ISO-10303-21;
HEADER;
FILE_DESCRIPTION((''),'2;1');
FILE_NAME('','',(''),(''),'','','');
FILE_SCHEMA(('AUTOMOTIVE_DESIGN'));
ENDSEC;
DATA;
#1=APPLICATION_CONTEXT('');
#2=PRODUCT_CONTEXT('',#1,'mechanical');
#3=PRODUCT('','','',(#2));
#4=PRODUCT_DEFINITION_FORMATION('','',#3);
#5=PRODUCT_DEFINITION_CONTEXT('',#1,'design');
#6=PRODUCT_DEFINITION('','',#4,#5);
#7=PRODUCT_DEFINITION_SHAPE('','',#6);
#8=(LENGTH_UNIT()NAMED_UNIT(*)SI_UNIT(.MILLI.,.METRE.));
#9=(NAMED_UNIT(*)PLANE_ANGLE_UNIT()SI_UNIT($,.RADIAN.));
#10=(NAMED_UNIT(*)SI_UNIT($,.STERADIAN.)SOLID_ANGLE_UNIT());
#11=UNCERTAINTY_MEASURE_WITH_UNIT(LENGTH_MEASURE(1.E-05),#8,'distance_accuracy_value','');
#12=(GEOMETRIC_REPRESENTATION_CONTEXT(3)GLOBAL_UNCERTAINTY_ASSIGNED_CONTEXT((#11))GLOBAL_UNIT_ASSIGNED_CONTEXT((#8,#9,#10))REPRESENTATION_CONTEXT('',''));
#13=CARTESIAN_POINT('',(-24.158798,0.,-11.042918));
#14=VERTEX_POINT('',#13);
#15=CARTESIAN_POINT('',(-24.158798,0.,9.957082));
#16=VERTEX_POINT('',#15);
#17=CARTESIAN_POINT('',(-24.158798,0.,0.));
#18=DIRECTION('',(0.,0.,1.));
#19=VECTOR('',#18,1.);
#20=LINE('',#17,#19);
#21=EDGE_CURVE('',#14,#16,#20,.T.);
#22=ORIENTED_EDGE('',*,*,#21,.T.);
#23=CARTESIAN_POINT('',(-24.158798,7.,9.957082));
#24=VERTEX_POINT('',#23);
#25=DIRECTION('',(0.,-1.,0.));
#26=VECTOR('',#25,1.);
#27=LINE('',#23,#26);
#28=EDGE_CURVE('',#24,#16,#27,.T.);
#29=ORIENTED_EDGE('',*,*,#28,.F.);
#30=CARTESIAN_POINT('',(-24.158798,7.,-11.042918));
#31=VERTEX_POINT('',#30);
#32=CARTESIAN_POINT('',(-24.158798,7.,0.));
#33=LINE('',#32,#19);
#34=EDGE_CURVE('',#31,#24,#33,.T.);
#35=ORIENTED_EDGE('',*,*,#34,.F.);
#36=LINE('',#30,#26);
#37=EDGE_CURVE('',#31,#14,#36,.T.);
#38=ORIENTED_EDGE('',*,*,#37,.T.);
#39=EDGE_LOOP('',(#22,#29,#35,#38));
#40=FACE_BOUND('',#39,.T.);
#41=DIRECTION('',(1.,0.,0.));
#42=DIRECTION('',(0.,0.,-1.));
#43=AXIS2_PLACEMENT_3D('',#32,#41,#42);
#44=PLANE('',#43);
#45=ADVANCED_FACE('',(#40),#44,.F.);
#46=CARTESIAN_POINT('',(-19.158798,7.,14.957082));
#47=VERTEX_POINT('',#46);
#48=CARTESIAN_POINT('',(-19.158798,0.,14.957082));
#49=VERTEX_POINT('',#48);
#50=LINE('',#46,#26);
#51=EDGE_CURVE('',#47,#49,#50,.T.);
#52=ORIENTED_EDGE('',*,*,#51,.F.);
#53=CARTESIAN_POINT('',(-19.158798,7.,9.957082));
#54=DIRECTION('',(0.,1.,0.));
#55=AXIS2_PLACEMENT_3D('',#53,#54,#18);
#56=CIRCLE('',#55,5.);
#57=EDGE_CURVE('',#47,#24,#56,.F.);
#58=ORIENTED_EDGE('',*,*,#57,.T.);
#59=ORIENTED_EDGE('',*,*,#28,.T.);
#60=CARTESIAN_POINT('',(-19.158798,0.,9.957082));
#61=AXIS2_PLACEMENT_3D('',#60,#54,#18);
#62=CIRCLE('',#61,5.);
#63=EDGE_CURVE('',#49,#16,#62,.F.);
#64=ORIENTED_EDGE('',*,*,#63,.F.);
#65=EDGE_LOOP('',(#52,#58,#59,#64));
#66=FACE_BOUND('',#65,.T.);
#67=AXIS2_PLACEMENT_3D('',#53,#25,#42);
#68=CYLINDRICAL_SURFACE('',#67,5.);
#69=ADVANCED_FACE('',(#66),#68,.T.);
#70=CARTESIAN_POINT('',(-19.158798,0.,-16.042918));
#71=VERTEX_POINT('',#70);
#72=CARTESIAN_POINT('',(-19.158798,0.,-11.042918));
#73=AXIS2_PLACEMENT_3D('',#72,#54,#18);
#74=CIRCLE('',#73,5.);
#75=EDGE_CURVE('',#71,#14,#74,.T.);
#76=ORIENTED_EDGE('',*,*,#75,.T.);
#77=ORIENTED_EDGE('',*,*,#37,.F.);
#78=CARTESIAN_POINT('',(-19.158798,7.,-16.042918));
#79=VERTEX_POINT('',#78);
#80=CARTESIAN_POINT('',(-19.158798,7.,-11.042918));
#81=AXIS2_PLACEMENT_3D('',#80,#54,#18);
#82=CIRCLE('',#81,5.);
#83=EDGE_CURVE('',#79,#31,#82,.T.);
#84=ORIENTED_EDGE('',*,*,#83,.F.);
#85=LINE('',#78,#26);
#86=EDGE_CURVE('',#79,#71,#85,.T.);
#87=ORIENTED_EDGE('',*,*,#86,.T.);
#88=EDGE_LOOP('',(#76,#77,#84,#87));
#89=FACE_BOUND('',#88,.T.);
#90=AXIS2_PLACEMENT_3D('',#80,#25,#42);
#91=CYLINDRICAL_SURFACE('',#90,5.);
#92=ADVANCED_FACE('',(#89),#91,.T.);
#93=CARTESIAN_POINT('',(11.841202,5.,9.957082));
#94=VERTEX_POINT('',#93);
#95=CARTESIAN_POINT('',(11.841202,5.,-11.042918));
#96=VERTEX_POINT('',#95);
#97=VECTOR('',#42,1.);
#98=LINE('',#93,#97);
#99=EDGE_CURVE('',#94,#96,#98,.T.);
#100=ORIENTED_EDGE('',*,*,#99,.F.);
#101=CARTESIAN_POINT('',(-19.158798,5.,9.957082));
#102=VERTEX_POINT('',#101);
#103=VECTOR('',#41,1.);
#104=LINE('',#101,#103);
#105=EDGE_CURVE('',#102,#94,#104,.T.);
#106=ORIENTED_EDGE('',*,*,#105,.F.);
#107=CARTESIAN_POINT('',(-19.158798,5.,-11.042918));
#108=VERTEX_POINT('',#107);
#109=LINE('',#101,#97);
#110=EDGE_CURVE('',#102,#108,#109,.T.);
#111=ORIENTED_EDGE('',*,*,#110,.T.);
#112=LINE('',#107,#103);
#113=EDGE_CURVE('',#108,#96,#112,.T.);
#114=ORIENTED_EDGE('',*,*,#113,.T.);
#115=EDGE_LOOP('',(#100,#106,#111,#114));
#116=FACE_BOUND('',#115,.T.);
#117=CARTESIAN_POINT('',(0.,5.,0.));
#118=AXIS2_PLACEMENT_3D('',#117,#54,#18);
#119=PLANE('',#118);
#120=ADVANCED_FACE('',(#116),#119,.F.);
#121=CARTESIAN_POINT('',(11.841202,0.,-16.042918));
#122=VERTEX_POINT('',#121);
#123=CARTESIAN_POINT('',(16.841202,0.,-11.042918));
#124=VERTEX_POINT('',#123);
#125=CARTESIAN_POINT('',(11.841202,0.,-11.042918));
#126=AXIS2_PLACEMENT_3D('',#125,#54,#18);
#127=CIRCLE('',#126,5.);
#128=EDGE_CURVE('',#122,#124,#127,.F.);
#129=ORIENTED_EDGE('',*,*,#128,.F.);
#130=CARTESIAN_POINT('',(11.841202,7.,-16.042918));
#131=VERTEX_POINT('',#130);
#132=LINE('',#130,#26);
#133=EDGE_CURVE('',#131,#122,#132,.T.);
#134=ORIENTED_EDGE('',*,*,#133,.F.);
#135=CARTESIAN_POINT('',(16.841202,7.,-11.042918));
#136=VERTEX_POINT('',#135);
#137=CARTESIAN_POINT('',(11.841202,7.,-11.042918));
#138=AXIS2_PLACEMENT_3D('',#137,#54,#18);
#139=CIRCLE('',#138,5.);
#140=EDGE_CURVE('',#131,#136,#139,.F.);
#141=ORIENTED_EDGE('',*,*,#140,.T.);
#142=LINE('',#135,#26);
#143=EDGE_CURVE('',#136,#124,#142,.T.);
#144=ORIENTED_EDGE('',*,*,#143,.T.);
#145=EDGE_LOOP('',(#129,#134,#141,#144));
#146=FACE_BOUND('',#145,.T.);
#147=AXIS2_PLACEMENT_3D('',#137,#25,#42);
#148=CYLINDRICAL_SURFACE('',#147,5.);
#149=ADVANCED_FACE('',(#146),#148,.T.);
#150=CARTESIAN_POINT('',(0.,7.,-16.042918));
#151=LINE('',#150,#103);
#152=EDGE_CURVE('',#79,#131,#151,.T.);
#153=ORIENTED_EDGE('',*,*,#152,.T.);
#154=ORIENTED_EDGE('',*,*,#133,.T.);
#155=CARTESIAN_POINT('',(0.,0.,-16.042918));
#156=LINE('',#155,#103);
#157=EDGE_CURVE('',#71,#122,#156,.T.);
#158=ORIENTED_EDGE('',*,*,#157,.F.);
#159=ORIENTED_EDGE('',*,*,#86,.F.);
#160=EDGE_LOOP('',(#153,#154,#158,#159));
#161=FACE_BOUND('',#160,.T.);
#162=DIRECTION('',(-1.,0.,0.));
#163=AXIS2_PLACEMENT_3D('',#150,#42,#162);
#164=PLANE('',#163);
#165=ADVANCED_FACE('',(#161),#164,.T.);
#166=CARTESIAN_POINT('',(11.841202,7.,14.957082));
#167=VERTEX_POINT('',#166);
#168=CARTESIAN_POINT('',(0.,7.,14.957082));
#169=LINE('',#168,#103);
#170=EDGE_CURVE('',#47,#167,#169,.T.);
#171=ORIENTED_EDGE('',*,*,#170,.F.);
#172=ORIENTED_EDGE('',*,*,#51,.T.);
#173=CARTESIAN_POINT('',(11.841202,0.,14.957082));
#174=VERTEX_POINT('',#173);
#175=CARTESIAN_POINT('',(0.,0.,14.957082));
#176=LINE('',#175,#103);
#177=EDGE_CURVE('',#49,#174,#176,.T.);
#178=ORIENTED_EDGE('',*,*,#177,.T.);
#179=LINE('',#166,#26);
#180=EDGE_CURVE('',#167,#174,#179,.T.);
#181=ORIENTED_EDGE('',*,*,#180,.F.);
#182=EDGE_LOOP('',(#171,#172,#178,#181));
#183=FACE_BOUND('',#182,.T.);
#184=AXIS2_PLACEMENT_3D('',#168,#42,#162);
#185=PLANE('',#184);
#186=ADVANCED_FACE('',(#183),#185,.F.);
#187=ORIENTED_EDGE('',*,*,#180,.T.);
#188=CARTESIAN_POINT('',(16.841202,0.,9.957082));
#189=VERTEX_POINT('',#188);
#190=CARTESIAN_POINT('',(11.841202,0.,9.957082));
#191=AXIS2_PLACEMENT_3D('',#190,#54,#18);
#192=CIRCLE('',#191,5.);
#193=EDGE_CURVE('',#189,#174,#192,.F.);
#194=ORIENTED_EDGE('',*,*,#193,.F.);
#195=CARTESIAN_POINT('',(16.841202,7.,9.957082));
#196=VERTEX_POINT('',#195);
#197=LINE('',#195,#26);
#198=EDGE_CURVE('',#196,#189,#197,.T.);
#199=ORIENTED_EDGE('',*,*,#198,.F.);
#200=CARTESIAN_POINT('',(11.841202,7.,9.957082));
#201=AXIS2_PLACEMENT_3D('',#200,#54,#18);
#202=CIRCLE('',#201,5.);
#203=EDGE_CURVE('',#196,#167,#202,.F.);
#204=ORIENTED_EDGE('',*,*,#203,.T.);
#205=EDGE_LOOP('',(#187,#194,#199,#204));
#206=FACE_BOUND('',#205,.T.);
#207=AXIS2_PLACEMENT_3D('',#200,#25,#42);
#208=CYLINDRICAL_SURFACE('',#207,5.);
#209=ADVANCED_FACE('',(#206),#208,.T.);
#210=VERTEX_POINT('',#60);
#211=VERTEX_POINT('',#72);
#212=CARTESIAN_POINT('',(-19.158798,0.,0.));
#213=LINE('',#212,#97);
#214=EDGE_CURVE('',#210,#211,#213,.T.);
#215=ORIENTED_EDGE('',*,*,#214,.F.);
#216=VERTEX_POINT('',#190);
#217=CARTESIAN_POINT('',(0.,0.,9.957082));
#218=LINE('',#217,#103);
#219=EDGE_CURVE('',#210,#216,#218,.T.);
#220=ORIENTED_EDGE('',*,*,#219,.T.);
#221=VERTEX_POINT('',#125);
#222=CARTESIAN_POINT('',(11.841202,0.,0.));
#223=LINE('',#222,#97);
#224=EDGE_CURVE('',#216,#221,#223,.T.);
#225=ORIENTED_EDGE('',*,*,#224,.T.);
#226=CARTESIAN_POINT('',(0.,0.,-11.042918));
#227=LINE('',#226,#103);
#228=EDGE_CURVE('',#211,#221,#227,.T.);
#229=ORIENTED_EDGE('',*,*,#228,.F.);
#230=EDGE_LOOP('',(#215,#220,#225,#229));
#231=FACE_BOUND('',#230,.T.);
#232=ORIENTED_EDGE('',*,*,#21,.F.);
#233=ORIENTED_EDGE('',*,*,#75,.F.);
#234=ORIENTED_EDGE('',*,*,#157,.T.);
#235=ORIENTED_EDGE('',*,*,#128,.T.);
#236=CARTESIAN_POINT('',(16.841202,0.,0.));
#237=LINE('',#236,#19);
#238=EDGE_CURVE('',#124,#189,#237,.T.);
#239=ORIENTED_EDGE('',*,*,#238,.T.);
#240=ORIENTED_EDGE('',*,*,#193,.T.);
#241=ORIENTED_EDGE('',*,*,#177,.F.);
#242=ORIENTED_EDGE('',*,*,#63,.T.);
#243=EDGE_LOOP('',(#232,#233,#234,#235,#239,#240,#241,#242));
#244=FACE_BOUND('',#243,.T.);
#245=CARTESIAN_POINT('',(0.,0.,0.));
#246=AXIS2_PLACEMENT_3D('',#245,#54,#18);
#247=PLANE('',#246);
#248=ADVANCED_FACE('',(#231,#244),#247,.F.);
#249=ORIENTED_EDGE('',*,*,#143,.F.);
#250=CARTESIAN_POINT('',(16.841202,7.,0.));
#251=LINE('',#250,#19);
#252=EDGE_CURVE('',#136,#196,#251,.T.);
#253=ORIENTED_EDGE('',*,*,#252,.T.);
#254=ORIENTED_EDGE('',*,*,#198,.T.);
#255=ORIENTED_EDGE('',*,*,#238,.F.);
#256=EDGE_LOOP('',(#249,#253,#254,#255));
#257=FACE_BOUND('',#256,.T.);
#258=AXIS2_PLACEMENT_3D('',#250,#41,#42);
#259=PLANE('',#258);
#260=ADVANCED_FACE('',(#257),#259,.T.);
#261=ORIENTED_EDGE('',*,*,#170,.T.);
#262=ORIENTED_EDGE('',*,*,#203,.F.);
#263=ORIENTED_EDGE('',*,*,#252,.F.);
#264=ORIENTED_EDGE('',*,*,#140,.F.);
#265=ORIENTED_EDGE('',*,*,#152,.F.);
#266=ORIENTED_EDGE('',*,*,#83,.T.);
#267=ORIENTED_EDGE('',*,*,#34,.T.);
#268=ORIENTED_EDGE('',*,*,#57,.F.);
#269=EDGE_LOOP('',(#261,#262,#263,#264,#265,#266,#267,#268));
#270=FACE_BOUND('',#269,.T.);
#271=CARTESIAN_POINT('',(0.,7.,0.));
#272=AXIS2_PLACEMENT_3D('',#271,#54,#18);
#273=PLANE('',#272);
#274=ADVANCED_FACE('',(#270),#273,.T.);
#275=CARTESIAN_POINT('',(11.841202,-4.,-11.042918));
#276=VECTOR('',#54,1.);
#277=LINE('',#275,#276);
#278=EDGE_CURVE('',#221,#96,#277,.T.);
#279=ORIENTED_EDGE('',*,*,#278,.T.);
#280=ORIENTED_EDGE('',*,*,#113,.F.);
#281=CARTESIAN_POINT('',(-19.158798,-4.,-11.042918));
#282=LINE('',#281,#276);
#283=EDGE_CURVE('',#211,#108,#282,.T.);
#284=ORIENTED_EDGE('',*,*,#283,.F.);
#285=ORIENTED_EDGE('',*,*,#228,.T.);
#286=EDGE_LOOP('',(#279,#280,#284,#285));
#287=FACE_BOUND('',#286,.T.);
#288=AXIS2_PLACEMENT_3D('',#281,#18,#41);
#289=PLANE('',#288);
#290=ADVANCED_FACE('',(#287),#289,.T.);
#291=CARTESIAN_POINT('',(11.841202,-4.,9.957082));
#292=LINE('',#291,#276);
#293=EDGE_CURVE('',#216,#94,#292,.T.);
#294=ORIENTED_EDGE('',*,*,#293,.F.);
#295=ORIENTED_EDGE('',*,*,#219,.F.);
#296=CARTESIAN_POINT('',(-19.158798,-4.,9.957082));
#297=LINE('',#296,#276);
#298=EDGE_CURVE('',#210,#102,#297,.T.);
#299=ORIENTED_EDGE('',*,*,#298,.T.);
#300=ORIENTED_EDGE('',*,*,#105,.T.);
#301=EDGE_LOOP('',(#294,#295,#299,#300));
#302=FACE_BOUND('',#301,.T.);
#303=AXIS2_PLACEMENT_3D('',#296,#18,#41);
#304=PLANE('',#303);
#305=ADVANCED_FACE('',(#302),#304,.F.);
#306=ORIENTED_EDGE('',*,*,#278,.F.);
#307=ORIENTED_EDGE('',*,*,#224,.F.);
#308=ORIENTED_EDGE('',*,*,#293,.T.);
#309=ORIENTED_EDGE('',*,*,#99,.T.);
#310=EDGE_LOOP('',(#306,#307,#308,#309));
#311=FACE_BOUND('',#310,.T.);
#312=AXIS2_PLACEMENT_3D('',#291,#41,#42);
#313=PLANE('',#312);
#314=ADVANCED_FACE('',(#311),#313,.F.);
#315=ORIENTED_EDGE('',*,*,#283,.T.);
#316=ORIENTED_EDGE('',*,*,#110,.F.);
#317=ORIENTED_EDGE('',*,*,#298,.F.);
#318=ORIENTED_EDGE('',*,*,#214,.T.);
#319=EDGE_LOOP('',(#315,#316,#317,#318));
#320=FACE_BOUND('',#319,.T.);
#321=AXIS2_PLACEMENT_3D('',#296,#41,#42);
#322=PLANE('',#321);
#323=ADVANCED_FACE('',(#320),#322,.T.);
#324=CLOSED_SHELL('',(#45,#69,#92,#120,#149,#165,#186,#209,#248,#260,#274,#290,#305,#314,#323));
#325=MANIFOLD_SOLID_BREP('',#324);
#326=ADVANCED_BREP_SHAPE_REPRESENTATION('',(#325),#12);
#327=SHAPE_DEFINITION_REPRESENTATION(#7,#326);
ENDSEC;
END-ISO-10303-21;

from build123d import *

# Parameters (mm, degrees)
BOSS_EXTRUDE1_DEPTH     = 7
CUT_EXTRUDE1_DEPTH      = 4
CUT_EXTRUDE1_DEPTH_BACK = 5
SKETCH2_W               = 31
SKETCH2_H               = 21


with BuildPart() as part:
    # Sketch1 → Boss-Extrude1 (new body)
    with BuildSketch(Plane(origin=(0, 0, 0), x_dir=(1, 0, 0), z_dir=(0, 1, 0))):
        with BuildLine():
            Line((-19.158798283, 16.042918455), (11.841201717, 16.042918455))
            ThreePointArc((11.841201717, 16.042918455), (15.376735623, 14.578452361), (16.841201717, 11.042918455))
            Line((16.841201717, 11.042918455), (16.841201717, -9.957081545))
            ThreePointArc((16.841201717, -9.957081545), (15.376735623, -13.492615451), (11.841201717, -14.957081545))
            Line((11.841201717, -14.957081545), (-19.158798283, -14.957081545))
            ThreePointArc((-19.158798283, -14.957081545), (-22.694332189, -13.492615451), (-24.158798283, -9.957081545))
            Line((-24.158798283, -9.957081545), (-24.158798283, 11.042918455))
            ThreePointArc((-24.158798283, 11.042918455), (-22.694332189, 14.578452361), (-19.158798283, 16.042918455))
        make_face()
    extrude(amount=BOSS_EXTRUDE1_DEPTH)

    # Sketch2 → Cut-Extrude1 (cut, two sides: drawn at the far end of the back side and taken through both)
    with BuildSketch(Plane.XZ.offset(-CUT_EXTRUDE1_DEPTH_BACK)):
        with Locations((-3.658798283, -0.542918455)):
            Rectangle(SKETCH2_W, SKETCH2_H)
    extrude(amount=CUT_EXTRUDE1_DEPTH + CUT_EXTRUDE1_DEPTH_BACK, mode=Mode.SUBTRACT)


solid = part.part
